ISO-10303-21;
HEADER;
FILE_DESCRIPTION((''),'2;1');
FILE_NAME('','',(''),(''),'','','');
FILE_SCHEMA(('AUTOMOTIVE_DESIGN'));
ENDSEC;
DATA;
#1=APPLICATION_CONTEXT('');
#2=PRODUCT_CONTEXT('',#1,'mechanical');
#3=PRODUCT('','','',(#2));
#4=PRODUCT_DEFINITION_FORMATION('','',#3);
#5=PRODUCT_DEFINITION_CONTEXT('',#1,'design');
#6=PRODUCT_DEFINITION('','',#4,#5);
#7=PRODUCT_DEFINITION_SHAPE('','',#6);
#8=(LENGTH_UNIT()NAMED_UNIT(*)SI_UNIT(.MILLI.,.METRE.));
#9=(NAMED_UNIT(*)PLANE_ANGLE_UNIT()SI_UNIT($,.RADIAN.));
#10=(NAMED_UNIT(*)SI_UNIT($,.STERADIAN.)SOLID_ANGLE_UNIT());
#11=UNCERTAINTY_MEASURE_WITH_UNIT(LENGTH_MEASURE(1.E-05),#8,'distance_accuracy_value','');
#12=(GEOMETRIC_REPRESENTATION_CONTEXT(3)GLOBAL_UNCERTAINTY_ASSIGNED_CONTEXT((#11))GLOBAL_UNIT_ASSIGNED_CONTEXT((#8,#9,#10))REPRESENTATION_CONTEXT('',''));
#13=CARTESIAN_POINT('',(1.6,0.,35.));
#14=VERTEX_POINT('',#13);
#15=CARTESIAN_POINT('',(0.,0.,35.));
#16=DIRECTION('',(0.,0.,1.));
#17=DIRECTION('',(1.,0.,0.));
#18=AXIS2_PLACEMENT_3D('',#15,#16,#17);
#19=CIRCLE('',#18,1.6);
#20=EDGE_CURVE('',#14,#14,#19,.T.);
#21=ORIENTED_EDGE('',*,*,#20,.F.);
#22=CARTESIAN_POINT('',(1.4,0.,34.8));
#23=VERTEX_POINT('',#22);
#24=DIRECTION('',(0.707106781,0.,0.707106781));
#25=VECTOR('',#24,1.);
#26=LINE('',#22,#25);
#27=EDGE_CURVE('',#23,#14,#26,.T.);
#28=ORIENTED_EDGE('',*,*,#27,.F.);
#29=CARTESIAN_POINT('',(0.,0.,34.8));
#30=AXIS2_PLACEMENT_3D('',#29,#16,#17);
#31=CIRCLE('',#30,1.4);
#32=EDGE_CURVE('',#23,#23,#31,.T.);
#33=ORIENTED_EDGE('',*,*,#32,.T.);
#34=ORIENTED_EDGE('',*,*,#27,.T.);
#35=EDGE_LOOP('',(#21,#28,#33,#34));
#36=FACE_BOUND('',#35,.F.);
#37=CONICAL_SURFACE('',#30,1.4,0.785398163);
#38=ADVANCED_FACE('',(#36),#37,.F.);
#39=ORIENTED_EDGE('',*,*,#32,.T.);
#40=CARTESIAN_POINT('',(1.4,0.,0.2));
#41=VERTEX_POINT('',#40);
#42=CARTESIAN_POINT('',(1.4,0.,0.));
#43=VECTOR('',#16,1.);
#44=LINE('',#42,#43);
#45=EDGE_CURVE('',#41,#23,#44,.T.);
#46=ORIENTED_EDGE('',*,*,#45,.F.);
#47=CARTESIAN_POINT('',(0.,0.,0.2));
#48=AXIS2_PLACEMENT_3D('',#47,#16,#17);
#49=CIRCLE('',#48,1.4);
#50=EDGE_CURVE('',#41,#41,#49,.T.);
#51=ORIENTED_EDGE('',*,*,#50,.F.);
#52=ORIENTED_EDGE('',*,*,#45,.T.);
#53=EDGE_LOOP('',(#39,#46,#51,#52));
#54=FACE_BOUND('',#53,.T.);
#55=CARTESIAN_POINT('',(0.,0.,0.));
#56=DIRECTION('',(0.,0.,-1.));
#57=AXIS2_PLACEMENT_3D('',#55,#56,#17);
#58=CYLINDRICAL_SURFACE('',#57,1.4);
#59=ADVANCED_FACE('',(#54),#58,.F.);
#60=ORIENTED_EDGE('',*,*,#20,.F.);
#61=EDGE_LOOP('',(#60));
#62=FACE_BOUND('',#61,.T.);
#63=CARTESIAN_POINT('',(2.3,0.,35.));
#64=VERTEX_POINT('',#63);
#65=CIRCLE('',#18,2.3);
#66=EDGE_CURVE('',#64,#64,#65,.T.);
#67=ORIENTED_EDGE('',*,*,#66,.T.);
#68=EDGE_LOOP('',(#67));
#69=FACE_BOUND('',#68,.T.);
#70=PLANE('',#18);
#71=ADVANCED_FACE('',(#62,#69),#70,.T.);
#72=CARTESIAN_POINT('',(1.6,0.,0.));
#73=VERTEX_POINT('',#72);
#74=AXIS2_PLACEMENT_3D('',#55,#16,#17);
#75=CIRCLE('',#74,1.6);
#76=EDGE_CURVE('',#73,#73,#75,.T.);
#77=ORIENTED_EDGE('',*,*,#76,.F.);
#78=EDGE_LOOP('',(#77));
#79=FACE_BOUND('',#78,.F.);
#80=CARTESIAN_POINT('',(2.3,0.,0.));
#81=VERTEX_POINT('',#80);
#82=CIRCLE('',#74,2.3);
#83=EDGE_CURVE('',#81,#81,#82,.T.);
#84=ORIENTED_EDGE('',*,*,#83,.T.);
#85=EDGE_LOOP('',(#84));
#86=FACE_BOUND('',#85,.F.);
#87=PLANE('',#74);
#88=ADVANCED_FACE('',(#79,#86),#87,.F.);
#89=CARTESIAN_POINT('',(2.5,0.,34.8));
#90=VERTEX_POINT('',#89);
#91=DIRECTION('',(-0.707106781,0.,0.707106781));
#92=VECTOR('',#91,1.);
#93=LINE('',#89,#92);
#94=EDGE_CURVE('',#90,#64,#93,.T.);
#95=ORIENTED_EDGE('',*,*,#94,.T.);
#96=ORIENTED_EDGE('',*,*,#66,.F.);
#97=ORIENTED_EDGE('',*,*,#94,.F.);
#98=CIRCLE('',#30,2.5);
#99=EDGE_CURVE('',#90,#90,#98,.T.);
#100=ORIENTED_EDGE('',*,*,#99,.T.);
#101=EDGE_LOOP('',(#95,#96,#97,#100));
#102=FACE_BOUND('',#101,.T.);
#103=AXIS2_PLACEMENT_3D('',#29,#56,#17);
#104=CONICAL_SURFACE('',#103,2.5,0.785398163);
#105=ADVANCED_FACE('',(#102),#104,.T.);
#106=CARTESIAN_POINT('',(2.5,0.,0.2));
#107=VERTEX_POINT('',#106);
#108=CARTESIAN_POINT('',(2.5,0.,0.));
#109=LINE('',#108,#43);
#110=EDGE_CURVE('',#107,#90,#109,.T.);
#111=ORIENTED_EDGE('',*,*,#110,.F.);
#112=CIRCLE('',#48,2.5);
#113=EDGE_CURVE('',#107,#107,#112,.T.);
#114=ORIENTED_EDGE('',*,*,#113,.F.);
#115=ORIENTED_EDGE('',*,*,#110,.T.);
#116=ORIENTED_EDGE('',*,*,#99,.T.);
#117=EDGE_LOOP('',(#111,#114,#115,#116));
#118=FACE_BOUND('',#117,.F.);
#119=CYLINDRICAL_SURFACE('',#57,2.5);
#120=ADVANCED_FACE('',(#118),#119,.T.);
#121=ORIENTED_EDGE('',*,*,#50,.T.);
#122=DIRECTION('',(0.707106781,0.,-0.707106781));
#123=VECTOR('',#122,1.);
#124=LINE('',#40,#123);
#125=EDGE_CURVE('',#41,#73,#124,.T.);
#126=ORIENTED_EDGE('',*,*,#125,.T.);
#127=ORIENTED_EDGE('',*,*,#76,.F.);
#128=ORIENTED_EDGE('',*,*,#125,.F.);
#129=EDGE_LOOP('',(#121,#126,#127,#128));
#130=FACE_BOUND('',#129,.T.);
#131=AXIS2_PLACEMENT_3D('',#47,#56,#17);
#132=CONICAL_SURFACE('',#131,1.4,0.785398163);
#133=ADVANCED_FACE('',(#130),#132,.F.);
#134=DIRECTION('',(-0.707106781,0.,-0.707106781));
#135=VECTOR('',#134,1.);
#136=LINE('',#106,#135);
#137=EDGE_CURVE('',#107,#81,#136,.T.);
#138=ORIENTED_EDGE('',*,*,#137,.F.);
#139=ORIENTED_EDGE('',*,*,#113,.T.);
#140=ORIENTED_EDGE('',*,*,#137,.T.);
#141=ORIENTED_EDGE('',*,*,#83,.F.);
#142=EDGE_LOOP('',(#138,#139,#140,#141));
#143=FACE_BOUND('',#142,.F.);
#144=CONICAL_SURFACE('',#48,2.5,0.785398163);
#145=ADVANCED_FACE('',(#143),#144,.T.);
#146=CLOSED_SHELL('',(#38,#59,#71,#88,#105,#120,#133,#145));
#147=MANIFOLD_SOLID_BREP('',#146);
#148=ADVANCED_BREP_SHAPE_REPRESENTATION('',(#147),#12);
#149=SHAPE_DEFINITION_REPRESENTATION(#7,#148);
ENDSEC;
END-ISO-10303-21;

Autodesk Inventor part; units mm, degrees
ref_plane "YZ Plane" through (0, 0, 0) normal (1, 0, 0) x (0, 1, 0)
ref_plane "XZ Plane" through (0, 0, 0) normal (0, 1, 0) x (-1, 0, 0)
ref_plane "XY Plane" through (0, 0, 0) normal (0, 0, 1) x (1, 0, 0)
sketch "Sketch1" plane through (0, 0, 0) normal (0, 0, 1) x (1, 0, 0)
  circle A0 centre (0, 0) radius 2.5
  circle A1 centre (0, 0) radius 1.4
  dimension "d0" = 5
  dimension "d1" = 2.8
extrude "Extrusion1" add sketch "Sketch1" along normal blind 35
thread "Thread1" size "M3x0.5" class "6H" standard "ANSI Metric M Profile" length 10
thread "Thread2" size "M3x0.5" class "6H" standard "ANSI Metric M Profile" length 10
chamfer "Chamfer1" distance 0.2 angle 45 4 edges at (-1.4, 0, 0) (-2.5, 0, 0) (-1.4, 0, 35) (-2.5, 0, 35)
properties part number "Frame Spacer"
